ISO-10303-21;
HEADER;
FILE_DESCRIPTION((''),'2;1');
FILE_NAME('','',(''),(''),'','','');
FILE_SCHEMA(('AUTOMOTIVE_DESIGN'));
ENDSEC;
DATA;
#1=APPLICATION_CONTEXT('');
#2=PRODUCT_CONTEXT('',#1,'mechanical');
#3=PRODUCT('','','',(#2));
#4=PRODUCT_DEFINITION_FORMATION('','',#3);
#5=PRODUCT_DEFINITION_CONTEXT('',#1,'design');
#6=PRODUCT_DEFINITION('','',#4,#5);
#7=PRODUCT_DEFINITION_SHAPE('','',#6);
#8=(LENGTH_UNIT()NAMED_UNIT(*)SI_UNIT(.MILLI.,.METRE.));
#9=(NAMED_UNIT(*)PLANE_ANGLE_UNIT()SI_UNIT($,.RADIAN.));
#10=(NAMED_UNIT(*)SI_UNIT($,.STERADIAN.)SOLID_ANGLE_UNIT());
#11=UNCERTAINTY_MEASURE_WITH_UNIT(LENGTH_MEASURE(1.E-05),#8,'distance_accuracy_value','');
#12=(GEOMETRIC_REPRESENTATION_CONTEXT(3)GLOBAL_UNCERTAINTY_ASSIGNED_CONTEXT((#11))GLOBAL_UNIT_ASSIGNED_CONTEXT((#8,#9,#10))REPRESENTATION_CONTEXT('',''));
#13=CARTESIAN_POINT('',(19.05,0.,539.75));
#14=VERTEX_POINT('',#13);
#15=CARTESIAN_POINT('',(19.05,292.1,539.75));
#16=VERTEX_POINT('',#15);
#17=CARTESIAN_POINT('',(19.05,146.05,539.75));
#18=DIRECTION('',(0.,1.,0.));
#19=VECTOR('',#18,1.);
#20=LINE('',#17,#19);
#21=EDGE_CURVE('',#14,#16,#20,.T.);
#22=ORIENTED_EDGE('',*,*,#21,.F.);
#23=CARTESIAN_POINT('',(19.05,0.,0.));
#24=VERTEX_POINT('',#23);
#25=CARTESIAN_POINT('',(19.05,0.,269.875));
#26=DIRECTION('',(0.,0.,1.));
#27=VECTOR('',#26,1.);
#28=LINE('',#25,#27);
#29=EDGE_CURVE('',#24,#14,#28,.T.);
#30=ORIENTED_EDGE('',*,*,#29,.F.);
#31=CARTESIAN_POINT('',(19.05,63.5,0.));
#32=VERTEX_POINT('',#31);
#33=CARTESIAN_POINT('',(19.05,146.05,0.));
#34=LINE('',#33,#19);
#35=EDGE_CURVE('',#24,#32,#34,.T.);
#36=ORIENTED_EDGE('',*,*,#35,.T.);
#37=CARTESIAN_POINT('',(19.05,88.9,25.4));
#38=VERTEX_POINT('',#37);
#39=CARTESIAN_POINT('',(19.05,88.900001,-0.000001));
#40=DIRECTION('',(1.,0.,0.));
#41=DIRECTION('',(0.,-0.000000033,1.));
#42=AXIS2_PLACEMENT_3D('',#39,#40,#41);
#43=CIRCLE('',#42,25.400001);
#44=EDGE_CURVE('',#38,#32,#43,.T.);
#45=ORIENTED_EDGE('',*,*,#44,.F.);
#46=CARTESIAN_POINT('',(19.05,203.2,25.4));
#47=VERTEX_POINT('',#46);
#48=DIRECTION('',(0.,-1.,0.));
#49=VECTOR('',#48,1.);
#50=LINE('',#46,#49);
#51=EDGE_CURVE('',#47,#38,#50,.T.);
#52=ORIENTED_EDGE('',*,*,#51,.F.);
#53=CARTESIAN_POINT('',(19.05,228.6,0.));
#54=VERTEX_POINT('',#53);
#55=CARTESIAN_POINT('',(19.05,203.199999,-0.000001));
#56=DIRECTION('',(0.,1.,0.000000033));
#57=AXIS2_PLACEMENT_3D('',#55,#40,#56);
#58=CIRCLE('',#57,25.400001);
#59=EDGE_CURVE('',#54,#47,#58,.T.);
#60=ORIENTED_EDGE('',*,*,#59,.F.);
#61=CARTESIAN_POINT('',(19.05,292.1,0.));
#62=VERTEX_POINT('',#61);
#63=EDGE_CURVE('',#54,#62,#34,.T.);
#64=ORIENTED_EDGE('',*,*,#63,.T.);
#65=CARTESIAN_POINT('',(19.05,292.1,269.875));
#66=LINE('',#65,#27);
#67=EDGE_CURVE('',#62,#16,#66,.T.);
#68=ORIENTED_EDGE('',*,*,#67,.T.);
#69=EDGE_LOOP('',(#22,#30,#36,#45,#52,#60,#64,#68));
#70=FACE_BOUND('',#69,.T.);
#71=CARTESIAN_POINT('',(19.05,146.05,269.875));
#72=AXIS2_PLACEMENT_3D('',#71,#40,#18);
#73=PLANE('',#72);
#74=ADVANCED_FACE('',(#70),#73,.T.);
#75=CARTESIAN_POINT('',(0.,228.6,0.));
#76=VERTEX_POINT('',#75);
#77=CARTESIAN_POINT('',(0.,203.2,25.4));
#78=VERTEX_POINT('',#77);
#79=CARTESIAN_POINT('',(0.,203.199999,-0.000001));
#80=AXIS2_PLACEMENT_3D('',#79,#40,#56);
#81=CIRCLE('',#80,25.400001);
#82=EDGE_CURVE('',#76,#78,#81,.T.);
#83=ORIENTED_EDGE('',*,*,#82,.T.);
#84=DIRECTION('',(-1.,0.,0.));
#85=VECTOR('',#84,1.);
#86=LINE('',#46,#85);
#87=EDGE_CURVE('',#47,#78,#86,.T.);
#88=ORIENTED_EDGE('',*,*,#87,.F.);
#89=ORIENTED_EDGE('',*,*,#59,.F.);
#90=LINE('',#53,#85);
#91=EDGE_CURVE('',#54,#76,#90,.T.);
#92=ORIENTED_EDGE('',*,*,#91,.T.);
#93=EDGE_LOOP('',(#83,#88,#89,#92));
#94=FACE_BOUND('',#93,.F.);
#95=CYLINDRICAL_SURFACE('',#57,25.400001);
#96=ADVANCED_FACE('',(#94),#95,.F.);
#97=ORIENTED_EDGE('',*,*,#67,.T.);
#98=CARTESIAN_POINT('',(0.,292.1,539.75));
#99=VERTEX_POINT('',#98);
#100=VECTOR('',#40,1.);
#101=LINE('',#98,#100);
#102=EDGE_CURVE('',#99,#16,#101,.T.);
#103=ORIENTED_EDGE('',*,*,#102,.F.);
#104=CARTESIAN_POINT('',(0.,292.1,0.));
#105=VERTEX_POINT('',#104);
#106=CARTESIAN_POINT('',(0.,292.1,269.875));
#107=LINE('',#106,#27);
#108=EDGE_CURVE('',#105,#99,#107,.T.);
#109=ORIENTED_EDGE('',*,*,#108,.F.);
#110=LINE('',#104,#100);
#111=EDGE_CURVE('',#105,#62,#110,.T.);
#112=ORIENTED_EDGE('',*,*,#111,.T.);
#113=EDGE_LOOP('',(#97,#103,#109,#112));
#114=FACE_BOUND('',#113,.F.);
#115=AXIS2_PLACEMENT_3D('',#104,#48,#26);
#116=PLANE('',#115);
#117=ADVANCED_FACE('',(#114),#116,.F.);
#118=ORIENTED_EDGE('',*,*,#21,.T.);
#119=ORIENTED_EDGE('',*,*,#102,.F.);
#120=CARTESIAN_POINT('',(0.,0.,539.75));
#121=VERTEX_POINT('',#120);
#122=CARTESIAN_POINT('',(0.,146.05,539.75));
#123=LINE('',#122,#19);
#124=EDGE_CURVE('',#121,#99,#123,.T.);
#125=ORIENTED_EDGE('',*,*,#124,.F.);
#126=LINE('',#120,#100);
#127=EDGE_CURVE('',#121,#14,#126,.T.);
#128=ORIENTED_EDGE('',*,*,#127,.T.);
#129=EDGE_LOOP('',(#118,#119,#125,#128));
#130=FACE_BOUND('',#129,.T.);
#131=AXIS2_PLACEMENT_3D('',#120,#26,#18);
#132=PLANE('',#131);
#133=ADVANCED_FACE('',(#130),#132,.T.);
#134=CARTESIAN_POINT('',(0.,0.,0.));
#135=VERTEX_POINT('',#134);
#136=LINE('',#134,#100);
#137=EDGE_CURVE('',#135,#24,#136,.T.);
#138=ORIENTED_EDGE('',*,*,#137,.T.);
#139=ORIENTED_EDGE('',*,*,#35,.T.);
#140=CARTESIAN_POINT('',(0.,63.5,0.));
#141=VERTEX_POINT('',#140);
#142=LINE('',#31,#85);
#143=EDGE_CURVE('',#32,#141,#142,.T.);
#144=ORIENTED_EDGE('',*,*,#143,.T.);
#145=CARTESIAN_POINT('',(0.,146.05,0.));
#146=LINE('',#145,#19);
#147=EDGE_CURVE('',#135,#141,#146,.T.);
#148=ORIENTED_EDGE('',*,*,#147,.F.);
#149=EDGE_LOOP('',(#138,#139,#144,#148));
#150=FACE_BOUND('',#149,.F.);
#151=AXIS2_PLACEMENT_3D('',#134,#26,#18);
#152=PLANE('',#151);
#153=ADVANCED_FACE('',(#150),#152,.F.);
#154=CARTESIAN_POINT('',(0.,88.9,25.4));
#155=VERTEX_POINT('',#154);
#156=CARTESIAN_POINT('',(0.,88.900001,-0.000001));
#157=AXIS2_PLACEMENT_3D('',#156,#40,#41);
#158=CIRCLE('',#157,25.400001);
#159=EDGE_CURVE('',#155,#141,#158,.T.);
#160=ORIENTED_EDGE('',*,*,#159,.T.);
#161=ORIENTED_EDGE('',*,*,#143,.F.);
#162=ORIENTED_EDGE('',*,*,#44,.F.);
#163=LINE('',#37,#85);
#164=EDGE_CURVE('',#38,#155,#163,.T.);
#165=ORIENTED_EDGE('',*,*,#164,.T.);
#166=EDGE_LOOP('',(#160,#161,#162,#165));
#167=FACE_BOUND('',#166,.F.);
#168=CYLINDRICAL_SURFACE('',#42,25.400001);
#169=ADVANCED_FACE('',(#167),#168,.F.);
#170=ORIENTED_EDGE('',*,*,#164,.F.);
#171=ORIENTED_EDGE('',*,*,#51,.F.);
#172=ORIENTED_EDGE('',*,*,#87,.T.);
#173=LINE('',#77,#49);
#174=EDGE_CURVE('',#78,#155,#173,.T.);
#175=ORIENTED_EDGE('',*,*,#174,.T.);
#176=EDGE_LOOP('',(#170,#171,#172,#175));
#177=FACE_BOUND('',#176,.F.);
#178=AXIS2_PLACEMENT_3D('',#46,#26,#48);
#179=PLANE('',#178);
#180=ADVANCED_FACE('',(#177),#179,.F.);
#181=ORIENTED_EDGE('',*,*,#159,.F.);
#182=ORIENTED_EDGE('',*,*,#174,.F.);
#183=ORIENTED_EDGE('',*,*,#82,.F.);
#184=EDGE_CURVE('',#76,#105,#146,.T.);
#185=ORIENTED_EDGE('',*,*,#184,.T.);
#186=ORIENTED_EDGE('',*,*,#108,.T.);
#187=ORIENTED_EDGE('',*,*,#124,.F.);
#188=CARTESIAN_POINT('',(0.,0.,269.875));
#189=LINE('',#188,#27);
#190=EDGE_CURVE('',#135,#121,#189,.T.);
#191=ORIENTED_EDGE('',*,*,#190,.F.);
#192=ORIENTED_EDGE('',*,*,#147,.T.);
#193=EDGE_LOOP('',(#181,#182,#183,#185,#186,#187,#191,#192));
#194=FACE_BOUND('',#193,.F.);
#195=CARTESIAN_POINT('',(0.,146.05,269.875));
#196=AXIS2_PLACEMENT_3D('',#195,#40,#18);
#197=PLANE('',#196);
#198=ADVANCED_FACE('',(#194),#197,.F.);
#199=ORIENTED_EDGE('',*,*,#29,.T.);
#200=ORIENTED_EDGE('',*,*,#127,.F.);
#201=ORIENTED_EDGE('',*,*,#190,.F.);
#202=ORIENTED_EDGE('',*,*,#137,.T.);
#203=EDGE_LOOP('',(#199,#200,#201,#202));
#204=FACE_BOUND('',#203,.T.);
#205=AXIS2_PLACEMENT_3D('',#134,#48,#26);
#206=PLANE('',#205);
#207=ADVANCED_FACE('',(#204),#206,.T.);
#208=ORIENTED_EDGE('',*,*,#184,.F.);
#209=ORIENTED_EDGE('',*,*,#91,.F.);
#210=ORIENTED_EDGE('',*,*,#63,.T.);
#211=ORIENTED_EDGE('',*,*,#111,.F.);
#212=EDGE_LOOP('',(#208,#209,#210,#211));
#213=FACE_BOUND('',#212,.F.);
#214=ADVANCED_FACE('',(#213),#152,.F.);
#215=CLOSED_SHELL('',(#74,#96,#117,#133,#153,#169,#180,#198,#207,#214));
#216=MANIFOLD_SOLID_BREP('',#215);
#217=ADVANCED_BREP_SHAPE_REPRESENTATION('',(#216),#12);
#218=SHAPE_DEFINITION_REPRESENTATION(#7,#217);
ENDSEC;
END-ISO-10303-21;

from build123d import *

# Parameters (mm, degrees)
F0_W     = 292.1
F0_H     = 539.75
F1_DEPTH = 19.05
F3_DEPTH = 19.05


with BuildPart() as f1:
    # F0 (on Right) → F1 (new body)
    with BuildSketch(Plane.YZ):
        with Locations((146.05, 269.875)):
            Rectangle(F0_W, F0_H)
    extrude(amount=F1_DEPTH)

    # F2 (on face) → F3 (cut)
    with BuildSketch(Plane.YZ.offset(19.05)):
        with BuildLine():
            Line((146.05, 25.4), (88.9, 25.4))
            ThreePointArc((88.9, 25.4), (70.939488, 17.960512), (63.5, 0))
            Line((63.5, 0), (228.6, 0))
            ThreePointArc((228.6, 0), (221.160512, 17.960512), (203.2, 25.4))
            Line((203.2, 25.4), (146.05, 25.4))
        make_face()
    extrude(amount=-F3_DEPTH, mode=Mode.SUBTRACT)


solid = f1.part
